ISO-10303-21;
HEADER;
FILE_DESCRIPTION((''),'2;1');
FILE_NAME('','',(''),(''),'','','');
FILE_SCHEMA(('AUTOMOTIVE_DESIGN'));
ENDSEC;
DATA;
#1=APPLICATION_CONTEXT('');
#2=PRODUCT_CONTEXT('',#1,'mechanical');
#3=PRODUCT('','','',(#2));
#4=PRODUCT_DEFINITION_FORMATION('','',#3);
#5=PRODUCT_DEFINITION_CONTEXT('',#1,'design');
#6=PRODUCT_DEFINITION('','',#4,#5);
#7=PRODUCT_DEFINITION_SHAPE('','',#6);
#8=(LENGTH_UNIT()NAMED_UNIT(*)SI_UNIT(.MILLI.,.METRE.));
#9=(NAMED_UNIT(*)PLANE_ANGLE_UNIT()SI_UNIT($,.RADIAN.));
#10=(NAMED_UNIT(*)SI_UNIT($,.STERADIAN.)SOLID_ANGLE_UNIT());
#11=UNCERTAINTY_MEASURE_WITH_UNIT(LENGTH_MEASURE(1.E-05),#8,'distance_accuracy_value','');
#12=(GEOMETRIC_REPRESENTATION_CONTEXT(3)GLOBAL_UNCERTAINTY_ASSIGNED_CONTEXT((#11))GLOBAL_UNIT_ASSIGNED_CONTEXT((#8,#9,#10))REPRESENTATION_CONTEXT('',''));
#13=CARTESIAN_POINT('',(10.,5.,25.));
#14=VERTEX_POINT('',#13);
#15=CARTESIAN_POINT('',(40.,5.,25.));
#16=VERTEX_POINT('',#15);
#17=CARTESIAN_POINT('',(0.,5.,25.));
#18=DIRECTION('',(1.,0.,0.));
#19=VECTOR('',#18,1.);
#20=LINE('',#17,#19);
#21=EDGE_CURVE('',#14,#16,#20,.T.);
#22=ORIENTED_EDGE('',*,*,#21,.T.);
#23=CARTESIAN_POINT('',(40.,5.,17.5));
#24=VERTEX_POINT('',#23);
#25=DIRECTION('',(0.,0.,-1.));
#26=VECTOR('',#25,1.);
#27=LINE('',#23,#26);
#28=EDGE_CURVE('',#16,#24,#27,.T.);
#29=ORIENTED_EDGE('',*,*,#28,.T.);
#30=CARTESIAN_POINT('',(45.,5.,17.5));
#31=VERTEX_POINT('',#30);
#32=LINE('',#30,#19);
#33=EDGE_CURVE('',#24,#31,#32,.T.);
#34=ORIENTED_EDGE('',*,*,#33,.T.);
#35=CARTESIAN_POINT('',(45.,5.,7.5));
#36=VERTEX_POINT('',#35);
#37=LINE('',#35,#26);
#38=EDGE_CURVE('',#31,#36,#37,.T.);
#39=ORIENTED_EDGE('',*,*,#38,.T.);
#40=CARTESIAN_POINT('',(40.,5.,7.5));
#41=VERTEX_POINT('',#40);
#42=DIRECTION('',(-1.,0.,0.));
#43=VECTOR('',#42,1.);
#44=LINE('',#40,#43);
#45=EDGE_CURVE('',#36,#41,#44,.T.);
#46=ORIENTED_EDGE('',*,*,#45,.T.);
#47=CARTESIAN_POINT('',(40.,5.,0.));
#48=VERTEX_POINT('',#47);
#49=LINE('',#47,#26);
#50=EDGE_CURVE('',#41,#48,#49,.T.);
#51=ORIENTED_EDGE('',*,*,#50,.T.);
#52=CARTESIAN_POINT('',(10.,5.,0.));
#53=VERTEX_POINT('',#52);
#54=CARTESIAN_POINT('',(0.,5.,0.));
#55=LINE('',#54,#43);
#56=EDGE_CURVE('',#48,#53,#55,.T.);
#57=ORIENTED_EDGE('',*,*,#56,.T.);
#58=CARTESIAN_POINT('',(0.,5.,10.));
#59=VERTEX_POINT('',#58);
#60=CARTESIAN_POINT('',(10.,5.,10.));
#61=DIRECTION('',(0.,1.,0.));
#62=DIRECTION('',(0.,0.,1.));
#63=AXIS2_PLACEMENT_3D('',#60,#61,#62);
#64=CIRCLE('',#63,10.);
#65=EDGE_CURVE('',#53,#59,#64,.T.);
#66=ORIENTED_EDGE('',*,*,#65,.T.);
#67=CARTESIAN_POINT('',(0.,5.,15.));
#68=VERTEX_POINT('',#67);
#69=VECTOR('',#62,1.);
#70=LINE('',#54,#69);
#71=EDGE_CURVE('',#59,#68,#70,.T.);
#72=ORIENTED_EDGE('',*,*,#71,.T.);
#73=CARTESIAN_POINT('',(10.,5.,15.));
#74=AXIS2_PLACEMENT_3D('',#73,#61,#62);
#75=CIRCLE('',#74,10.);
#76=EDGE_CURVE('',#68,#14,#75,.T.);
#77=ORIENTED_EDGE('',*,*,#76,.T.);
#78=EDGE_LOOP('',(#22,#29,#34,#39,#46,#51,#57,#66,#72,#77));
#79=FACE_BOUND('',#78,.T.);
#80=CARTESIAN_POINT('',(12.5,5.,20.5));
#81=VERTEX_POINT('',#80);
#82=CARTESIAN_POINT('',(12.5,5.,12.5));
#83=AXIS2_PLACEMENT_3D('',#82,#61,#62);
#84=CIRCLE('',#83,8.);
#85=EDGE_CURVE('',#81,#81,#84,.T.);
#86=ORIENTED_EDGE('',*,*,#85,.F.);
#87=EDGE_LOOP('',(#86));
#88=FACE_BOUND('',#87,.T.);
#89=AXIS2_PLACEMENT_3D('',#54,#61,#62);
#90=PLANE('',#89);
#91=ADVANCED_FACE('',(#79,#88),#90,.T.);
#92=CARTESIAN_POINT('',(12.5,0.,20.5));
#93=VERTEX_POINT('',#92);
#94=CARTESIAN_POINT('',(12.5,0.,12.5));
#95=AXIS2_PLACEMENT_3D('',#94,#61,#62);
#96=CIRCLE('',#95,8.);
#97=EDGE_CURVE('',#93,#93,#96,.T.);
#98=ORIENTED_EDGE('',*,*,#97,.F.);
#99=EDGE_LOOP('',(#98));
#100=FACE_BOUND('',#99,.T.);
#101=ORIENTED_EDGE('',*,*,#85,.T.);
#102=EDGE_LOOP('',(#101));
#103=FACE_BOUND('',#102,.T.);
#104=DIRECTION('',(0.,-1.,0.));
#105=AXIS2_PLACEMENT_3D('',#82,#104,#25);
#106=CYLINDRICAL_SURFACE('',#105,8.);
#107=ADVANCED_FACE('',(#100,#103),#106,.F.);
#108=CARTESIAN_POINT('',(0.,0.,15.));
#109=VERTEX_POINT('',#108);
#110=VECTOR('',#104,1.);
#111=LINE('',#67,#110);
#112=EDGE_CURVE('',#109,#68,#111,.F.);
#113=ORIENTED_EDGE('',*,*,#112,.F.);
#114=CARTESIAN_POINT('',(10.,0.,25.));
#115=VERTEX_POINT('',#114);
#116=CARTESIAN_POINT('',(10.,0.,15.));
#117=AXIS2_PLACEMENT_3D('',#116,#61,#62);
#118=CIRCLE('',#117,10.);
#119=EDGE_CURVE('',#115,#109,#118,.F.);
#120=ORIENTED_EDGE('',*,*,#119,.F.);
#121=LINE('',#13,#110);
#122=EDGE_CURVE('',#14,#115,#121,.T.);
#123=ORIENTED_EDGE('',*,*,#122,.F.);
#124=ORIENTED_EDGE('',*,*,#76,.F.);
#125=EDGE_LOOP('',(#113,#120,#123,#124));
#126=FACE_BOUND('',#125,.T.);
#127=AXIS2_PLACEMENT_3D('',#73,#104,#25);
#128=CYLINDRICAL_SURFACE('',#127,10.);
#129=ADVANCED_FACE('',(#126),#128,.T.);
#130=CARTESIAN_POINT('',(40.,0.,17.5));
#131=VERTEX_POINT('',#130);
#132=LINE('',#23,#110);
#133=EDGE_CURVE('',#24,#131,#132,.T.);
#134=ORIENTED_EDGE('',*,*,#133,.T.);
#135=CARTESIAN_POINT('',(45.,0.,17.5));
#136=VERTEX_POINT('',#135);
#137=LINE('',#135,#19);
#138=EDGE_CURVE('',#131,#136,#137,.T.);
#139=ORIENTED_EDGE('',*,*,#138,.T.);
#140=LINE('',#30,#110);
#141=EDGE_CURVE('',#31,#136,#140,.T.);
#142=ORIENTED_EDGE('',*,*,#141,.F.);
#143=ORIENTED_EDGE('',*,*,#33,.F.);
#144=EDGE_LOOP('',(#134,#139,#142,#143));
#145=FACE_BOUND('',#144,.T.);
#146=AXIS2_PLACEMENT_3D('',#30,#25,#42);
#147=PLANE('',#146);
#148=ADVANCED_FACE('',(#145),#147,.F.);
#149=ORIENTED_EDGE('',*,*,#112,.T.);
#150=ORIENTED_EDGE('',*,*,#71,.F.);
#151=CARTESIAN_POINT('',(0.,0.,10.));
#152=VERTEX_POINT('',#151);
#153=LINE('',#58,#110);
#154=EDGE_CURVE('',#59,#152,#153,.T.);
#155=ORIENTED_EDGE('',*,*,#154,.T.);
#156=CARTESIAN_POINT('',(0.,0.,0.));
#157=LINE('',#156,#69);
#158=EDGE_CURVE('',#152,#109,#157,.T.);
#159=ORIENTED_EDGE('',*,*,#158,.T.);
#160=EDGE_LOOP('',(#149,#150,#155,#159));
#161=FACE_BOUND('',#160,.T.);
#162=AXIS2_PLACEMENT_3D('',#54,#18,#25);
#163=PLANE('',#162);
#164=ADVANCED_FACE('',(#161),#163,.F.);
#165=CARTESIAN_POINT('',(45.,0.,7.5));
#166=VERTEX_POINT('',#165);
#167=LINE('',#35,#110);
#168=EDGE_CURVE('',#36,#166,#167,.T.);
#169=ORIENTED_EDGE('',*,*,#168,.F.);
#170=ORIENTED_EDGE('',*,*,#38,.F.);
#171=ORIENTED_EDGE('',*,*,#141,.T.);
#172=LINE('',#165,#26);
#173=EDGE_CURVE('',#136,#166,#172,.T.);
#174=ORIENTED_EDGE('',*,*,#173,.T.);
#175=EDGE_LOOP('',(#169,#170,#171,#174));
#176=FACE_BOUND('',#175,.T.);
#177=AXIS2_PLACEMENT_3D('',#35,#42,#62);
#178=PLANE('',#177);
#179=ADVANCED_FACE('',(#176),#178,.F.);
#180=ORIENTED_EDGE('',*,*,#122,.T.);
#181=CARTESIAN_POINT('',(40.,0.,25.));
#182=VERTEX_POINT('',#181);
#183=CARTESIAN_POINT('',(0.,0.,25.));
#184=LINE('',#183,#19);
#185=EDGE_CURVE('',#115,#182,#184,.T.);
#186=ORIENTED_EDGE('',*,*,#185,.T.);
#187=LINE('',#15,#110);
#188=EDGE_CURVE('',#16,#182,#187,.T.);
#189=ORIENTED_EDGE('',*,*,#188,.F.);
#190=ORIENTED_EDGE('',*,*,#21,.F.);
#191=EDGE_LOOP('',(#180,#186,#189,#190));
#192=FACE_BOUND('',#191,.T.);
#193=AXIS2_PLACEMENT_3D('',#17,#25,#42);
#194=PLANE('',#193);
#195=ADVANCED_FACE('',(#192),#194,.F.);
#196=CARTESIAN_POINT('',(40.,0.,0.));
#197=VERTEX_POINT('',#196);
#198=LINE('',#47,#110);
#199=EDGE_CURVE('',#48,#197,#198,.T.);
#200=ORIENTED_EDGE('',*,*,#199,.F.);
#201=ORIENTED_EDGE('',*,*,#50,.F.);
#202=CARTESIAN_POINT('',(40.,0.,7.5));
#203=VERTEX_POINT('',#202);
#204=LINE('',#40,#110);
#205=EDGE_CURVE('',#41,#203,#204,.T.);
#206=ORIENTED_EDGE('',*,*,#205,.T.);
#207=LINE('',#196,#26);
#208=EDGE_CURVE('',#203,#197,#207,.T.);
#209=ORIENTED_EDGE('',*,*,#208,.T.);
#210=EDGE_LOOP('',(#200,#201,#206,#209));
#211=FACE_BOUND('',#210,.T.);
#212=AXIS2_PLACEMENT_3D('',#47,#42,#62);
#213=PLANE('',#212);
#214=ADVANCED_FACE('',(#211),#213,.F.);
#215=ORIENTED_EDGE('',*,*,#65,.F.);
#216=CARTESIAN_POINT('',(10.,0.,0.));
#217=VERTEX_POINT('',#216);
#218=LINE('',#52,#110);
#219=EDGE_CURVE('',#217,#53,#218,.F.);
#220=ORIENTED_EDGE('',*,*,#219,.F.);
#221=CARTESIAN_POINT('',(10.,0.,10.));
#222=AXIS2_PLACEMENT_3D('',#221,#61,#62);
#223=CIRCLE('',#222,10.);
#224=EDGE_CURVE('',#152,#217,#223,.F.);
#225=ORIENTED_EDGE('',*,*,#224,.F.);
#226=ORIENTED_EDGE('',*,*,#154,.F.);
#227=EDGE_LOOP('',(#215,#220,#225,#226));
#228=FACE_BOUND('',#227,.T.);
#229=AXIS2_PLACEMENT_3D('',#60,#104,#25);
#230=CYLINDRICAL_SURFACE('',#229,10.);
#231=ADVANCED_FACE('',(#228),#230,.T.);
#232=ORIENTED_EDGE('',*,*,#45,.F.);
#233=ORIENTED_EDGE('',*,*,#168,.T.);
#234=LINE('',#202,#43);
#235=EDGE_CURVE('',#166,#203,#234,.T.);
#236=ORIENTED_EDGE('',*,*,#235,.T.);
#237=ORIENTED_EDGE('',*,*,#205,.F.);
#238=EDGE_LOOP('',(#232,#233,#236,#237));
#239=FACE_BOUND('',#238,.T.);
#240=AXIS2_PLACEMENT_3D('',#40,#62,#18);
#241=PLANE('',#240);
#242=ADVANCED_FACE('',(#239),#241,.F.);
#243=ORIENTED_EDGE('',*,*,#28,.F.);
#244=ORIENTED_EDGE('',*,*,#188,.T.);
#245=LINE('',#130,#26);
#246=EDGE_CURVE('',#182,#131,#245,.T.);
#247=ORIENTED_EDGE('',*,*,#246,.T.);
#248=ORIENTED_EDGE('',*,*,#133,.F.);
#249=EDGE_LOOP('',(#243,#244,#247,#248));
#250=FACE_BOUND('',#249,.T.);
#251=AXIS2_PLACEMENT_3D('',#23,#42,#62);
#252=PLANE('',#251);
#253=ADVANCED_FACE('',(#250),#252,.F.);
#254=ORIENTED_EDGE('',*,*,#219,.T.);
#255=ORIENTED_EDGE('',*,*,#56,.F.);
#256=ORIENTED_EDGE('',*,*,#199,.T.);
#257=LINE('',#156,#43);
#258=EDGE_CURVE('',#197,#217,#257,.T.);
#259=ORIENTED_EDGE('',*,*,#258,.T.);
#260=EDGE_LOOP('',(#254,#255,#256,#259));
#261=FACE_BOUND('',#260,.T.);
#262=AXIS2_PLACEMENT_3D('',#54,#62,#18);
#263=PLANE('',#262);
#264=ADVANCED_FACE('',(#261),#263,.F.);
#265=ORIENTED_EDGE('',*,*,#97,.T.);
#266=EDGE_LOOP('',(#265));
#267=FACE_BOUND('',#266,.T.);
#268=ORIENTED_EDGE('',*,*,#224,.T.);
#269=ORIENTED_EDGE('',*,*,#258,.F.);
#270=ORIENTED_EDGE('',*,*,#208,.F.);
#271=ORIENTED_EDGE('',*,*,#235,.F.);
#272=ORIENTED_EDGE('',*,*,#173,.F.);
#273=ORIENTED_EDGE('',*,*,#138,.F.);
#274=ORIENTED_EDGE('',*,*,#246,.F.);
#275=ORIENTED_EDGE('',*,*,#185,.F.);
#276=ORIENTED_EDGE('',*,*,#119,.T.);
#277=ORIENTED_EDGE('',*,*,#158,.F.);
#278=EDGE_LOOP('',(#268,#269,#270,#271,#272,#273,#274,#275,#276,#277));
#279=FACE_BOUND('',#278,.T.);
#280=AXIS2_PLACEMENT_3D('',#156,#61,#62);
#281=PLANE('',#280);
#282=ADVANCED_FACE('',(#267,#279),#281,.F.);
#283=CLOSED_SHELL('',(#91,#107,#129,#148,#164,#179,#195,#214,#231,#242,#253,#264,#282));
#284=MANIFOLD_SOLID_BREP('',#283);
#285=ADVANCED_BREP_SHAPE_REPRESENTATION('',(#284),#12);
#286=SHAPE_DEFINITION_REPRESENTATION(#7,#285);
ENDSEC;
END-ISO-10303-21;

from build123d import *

# Parameters (mm, degrees)
ESQUISSE1_R        = 8
BOSS_EXTRU_1_DEPTH = 5
CONG_1_R           = 10


with BuildPart() as part:
    # Esquisse1 → Boss.-Extru.1 (new body)
    with BuildSketch(Plane(origin=(0, 0, 0), x_dir=(1, 0, 0), z_dir=(0, 1, 0))):
        Polygon((40, -7.5), (45, -7.5), (45, -17.5), (40, -17.5), (40, -25), (0, -25), (0, 0), (40, 0), align=None)
        with Locations((12.5, -12.5)):
            Circle(ESQUISSE1_R, mode=Mode.SUBTRACT)
    extrude(amount=BOSS_EXTRU_1_DEPTH)

    # Congé1
    cong_1_edges = [part.edges().sort_by_distance(p)[0] for p in [
        (0, 2.5, 0),
        (0, 2.5, 25),
    ]]
    fillet(cong_1_edges, radius=CONG_1_R)


solid = part.part
